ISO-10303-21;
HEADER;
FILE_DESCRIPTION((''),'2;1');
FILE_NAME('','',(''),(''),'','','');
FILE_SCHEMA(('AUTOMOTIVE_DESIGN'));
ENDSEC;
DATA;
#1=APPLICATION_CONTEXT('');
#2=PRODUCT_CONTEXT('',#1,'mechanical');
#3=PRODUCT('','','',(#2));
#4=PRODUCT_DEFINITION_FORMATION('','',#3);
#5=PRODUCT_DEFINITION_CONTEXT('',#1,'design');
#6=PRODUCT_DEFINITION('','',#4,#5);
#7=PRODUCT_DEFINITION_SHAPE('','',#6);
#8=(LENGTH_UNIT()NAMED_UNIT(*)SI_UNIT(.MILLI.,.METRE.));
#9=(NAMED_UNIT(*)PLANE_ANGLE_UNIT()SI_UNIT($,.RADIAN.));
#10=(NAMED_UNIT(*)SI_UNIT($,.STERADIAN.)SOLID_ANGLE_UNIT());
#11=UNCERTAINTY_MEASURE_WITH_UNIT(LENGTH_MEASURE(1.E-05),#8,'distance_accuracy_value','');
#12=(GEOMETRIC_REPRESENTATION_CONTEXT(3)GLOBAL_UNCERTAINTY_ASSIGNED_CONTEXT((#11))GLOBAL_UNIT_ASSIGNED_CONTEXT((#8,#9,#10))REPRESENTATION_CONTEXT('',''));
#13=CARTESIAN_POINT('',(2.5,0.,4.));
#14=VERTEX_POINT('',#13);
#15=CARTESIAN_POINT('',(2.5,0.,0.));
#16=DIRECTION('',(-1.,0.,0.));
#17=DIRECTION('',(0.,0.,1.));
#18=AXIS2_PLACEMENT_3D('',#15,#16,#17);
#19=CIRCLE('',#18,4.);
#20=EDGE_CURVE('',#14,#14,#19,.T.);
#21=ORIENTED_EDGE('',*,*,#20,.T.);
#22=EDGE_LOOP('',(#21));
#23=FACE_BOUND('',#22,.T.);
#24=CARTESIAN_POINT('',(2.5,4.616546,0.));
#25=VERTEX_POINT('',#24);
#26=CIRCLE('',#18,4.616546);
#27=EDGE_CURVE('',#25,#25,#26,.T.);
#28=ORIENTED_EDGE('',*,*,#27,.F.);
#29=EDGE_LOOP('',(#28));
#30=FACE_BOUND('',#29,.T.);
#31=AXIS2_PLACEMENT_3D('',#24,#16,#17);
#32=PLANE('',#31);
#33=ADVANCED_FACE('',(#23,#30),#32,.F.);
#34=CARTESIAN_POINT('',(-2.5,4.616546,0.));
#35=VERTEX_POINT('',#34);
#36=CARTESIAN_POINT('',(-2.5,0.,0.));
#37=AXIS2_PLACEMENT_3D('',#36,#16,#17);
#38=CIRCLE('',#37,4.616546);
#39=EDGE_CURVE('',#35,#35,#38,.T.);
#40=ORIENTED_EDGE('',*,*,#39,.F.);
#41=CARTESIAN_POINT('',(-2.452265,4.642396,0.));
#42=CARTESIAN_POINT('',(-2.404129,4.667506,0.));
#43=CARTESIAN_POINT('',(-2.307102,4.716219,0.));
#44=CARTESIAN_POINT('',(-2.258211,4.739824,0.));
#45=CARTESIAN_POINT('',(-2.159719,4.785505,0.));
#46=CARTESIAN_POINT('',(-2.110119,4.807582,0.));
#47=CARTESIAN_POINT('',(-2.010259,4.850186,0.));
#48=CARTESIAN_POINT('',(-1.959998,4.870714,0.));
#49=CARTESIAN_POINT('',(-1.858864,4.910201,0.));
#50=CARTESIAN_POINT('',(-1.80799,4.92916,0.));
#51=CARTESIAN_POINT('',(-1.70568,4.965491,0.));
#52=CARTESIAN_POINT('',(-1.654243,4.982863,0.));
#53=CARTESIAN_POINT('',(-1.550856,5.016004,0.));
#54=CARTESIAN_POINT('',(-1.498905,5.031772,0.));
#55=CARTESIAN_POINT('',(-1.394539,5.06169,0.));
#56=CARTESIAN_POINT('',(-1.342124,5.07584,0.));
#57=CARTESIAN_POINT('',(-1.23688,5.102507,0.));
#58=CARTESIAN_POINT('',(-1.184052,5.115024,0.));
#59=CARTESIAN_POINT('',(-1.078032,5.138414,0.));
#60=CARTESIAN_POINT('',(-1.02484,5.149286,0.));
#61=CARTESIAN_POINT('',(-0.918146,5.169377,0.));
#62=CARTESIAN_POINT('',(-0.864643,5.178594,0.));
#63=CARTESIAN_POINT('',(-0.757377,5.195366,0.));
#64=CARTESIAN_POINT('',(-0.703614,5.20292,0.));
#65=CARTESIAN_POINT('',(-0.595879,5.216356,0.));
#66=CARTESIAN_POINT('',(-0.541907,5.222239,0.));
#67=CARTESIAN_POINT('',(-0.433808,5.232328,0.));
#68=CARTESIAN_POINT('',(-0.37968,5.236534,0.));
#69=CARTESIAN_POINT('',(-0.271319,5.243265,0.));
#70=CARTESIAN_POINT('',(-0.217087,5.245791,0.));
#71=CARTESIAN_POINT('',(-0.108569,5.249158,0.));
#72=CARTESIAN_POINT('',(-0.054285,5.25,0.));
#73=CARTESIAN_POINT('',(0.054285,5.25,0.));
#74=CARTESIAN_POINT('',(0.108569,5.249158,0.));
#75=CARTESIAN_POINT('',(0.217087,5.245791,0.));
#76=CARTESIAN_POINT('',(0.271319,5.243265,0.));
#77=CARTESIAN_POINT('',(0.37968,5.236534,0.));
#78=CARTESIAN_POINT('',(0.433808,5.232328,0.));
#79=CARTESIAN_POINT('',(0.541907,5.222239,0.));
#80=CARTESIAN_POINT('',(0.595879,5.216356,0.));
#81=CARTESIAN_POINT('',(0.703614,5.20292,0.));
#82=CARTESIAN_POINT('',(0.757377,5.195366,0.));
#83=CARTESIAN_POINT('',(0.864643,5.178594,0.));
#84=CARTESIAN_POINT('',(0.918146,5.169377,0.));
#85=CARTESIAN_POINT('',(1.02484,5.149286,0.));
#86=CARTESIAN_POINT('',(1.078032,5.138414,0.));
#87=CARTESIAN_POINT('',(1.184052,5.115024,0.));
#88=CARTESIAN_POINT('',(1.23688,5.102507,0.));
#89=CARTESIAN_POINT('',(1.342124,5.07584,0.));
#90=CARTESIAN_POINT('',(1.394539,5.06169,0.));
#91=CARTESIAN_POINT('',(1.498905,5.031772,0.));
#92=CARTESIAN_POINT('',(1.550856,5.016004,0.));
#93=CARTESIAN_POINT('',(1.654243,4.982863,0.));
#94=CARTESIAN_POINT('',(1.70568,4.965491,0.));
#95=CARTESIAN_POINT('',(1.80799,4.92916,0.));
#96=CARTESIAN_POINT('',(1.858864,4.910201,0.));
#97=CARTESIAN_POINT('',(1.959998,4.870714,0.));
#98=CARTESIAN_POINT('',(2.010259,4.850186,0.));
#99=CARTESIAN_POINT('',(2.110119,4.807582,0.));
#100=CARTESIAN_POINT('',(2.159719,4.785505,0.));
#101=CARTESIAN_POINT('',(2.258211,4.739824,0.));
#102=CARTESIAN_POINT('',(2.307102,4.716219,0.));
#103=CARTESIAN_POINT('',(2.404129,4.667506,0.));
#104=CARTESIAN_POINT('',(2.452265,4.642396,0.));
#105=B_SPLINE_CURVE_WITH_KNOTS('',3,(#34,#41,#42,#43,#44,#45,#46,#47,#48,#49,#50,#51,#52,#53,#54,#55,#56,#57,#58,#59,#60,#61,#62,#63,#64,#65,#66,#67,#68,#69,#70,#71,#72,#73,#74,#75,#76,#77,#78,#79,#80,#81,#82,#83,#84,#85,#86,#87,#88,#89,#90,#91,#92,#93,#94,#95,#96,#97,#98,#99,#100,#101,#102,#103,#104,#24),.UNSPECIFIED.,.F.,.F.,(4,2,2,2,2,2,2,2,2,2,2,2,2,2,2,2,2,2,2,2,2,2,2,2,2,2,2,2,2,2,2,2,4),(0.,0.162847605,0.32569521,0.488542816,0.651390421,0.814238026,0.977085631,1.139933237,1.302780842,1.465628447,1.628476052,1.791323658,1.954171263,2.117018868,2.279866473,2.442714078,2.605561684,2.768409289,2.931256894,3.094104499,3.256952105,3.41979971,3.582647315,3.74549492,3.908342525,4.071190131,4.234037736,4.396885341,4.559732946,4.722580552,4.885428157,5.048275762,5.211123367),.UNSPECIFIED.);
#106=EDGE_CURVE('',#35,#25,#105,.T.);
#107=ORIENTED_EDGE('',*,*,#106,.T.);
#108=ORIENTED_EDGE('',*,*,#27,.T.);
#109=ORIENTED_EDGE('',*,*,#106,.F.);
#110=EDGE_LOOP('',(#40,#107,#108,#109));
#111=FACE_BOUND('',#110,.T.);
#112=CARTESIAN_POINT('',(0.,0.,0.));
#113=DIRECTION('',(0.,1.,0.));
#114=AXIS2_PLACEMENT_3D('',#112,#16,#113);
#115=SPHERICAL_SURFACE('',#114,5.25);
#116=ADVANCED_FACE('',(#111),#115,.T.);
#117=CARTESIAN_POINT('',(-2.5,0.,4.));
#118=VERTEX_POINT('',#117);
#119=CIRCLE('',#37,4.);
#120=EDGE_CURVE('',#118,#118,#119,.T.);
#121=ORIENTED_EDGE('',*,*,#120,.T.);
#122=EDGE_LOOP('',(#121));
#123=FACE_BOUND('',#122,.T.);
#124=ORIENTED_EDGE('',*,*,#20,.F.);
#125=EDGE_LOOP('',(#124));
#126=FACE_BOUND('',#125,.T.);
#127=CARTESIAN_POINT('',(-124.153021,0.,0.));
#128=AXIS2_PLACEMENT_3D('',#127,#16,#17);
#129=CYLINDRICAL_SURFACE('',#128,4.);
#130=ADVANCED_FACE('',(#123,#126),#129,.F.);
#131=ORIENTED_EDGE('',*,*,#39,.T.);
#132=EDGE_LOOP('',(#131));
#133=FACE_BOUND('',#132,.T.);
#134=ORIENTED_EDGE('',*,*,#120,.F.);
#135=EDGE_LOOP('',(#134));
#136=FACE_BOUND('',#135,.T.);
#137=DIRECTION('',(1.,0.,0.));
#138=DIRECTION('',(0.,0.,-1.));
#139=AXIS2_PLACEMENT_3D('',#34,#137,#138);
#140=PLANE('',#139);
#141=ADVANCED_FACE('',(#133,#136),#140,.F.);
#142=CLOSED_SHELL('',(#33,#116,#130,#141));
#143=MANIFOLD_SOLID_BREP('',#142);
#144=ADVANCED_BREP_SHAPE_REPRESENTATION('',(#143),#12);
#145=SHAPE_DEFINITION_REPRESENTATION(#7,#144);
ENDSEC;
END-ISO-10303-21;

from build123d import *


with BuildPart() as part:
    # Esquisse1 → Base-Révolution (revolve)
    with BuildSketch(Plane.XY):
        with BuildLine():
            Line((2.5, 4.616546328), (2.5, 4))
            Line((2.5, 4), (-2.5, 4))
            Line((-2.5, 4), (-2.5, 4.616546328))
            ThreePointArc((-2.5, 4.616546328), (0, 5.25), (2.5, 4.616546328))
        make_face()
    revolve(axis=Axis((-124.153021442, 0, 0), (1, 0, 0)))


solid = part.part
